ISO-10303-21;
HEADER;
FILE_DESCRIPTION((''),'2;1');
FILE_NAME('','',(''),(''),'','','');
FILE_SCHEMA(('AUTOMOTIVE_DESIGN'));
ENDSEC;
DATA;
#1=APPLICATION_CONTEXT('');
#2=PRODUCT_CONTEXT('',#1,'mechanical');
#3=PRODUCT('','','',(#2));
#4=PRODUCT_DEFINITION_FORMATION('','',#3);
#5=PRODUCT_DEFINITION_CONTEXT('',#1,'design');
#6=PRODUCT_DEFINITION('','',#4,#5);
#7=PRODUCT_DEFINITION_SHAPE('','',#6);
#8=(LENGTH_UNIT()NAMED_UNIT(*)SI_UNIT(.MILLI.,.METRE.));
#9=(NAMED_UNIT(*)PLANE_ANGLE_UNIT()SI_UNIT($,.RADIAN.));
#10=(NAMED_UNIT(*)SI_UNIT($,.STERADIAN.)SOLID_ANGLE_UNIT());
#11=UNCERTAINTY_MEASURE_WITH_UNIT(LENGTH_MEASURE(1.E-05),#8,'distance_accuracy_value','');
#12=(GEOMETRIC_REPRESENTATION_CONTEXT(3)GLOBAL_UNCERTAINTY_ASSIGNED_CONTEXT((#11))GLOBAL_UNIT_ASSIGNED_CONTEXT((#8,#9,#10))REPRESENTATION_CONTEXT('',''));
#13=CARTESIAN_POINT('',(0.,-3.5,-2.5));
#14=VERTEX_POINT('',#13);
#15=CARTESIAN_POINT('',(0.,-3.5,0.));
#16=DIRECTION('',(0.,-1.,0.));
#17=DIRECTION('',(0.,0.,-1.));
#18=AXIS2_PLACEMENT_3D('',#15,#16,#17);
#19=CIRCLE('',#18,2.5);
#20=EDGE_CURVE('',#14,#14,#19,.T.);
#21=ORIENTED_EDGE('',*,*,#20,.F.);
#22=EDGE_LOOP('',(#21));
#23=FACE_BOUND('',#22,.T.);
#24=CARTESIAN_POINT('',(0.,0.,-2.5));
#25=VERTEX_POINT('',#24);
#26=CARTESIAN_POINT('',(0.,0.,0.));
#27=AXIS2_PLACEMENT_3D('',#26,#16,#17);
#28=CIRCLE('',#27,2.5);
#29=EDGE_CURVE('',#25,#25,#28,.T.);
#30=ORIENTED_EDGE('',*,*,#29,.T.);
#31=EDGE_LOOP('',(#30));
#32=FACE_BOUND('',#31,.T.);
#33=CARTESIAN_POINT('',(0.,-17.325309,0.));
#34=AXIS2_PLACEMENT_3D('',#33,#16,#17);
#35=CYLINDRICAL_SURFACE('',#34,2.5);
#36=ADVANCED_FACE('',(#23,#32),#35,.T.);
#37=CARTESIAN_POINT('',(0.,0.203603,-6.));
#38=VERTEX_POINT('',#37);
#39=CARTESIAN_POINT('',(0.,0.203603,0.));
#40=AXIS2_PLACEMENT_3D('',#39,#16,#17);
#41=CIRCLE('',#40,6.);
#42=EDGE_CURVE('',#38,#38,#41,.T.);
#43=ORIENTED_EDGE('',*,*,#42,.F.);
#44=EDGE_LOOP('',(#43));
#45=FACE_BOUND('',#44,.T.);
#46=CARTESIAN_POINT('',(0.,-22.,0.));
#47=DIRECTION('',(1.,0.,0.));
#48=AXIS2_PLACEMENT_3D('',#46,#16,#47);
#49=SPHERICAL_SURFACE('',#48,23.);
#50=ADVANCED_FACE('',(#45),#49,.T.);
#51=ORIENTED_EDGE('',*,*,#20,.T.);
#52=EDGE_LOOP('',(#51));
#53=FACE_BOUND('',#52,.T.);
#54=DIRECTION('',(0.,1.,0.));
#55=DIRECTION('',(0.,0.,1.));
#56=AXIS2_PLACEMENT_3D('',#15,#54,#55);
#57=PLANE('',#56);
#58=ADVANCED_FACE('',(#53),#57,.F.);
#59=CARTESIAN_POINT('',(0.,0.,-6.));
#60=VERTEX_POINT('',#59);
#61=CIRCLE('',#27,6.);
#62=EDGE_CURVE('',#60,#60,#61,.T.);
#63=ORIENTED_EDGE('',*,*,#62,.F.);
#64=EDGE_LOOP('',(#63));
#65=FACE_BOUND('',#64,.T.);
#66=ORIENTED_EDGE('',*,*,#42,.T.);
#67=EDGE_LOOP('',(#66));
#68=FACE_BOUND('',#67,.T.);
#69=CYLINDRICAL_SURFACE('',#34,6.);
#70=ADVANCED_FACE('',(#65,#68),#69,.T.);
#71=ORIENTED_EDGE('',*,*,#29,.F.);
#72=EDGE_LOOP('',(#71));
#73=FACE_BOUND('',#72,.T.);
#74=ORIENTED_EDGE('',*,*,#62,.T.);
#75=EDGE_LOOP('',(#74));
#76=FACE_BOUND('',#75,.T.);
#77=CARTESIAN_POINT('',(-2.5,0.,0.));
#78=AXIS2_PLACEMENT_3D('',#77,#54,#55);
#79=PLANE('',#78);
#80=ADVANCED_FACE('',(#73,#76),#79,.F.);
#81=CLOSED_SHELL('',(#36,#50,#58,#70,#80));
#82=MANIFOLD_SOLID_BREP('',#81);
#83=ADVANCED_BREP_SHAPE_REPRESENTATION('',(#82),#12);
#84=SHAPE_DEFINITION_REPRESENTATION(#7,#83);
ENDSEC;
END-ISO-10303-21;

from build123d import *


with BuildPart() as part:
    # Esquisse1 → Révolution1 (revolve)
    with BuildSketch(Plane.XY, mode=Mode.PRIVATE) as r_volution1_sk:
        with BuildLine():
            Line((0, 1), (0, -3.5))
            Line((0, -3.5), (-2.5, -3.5))
            Line((-2.5, -3.5), (-2.5, 0))
            Line((-2.5, 0), (-6, 0))
            Line((-6, 0), (-6, 0.203603311))
            ThreePointArc((-6, 0.203603311), (-3.026311604, 0.800031537), (0, 1))
        make_face()
    revolve(r_volution1_sk.sketch.rotate(Axis((0, -17.325308642, 0), (0, 1, 0)), 270), axis=Axis((0, -17.325308642, 0), (0, 1, 0)))  # turned: the seam where the file's is


solid = part.part
